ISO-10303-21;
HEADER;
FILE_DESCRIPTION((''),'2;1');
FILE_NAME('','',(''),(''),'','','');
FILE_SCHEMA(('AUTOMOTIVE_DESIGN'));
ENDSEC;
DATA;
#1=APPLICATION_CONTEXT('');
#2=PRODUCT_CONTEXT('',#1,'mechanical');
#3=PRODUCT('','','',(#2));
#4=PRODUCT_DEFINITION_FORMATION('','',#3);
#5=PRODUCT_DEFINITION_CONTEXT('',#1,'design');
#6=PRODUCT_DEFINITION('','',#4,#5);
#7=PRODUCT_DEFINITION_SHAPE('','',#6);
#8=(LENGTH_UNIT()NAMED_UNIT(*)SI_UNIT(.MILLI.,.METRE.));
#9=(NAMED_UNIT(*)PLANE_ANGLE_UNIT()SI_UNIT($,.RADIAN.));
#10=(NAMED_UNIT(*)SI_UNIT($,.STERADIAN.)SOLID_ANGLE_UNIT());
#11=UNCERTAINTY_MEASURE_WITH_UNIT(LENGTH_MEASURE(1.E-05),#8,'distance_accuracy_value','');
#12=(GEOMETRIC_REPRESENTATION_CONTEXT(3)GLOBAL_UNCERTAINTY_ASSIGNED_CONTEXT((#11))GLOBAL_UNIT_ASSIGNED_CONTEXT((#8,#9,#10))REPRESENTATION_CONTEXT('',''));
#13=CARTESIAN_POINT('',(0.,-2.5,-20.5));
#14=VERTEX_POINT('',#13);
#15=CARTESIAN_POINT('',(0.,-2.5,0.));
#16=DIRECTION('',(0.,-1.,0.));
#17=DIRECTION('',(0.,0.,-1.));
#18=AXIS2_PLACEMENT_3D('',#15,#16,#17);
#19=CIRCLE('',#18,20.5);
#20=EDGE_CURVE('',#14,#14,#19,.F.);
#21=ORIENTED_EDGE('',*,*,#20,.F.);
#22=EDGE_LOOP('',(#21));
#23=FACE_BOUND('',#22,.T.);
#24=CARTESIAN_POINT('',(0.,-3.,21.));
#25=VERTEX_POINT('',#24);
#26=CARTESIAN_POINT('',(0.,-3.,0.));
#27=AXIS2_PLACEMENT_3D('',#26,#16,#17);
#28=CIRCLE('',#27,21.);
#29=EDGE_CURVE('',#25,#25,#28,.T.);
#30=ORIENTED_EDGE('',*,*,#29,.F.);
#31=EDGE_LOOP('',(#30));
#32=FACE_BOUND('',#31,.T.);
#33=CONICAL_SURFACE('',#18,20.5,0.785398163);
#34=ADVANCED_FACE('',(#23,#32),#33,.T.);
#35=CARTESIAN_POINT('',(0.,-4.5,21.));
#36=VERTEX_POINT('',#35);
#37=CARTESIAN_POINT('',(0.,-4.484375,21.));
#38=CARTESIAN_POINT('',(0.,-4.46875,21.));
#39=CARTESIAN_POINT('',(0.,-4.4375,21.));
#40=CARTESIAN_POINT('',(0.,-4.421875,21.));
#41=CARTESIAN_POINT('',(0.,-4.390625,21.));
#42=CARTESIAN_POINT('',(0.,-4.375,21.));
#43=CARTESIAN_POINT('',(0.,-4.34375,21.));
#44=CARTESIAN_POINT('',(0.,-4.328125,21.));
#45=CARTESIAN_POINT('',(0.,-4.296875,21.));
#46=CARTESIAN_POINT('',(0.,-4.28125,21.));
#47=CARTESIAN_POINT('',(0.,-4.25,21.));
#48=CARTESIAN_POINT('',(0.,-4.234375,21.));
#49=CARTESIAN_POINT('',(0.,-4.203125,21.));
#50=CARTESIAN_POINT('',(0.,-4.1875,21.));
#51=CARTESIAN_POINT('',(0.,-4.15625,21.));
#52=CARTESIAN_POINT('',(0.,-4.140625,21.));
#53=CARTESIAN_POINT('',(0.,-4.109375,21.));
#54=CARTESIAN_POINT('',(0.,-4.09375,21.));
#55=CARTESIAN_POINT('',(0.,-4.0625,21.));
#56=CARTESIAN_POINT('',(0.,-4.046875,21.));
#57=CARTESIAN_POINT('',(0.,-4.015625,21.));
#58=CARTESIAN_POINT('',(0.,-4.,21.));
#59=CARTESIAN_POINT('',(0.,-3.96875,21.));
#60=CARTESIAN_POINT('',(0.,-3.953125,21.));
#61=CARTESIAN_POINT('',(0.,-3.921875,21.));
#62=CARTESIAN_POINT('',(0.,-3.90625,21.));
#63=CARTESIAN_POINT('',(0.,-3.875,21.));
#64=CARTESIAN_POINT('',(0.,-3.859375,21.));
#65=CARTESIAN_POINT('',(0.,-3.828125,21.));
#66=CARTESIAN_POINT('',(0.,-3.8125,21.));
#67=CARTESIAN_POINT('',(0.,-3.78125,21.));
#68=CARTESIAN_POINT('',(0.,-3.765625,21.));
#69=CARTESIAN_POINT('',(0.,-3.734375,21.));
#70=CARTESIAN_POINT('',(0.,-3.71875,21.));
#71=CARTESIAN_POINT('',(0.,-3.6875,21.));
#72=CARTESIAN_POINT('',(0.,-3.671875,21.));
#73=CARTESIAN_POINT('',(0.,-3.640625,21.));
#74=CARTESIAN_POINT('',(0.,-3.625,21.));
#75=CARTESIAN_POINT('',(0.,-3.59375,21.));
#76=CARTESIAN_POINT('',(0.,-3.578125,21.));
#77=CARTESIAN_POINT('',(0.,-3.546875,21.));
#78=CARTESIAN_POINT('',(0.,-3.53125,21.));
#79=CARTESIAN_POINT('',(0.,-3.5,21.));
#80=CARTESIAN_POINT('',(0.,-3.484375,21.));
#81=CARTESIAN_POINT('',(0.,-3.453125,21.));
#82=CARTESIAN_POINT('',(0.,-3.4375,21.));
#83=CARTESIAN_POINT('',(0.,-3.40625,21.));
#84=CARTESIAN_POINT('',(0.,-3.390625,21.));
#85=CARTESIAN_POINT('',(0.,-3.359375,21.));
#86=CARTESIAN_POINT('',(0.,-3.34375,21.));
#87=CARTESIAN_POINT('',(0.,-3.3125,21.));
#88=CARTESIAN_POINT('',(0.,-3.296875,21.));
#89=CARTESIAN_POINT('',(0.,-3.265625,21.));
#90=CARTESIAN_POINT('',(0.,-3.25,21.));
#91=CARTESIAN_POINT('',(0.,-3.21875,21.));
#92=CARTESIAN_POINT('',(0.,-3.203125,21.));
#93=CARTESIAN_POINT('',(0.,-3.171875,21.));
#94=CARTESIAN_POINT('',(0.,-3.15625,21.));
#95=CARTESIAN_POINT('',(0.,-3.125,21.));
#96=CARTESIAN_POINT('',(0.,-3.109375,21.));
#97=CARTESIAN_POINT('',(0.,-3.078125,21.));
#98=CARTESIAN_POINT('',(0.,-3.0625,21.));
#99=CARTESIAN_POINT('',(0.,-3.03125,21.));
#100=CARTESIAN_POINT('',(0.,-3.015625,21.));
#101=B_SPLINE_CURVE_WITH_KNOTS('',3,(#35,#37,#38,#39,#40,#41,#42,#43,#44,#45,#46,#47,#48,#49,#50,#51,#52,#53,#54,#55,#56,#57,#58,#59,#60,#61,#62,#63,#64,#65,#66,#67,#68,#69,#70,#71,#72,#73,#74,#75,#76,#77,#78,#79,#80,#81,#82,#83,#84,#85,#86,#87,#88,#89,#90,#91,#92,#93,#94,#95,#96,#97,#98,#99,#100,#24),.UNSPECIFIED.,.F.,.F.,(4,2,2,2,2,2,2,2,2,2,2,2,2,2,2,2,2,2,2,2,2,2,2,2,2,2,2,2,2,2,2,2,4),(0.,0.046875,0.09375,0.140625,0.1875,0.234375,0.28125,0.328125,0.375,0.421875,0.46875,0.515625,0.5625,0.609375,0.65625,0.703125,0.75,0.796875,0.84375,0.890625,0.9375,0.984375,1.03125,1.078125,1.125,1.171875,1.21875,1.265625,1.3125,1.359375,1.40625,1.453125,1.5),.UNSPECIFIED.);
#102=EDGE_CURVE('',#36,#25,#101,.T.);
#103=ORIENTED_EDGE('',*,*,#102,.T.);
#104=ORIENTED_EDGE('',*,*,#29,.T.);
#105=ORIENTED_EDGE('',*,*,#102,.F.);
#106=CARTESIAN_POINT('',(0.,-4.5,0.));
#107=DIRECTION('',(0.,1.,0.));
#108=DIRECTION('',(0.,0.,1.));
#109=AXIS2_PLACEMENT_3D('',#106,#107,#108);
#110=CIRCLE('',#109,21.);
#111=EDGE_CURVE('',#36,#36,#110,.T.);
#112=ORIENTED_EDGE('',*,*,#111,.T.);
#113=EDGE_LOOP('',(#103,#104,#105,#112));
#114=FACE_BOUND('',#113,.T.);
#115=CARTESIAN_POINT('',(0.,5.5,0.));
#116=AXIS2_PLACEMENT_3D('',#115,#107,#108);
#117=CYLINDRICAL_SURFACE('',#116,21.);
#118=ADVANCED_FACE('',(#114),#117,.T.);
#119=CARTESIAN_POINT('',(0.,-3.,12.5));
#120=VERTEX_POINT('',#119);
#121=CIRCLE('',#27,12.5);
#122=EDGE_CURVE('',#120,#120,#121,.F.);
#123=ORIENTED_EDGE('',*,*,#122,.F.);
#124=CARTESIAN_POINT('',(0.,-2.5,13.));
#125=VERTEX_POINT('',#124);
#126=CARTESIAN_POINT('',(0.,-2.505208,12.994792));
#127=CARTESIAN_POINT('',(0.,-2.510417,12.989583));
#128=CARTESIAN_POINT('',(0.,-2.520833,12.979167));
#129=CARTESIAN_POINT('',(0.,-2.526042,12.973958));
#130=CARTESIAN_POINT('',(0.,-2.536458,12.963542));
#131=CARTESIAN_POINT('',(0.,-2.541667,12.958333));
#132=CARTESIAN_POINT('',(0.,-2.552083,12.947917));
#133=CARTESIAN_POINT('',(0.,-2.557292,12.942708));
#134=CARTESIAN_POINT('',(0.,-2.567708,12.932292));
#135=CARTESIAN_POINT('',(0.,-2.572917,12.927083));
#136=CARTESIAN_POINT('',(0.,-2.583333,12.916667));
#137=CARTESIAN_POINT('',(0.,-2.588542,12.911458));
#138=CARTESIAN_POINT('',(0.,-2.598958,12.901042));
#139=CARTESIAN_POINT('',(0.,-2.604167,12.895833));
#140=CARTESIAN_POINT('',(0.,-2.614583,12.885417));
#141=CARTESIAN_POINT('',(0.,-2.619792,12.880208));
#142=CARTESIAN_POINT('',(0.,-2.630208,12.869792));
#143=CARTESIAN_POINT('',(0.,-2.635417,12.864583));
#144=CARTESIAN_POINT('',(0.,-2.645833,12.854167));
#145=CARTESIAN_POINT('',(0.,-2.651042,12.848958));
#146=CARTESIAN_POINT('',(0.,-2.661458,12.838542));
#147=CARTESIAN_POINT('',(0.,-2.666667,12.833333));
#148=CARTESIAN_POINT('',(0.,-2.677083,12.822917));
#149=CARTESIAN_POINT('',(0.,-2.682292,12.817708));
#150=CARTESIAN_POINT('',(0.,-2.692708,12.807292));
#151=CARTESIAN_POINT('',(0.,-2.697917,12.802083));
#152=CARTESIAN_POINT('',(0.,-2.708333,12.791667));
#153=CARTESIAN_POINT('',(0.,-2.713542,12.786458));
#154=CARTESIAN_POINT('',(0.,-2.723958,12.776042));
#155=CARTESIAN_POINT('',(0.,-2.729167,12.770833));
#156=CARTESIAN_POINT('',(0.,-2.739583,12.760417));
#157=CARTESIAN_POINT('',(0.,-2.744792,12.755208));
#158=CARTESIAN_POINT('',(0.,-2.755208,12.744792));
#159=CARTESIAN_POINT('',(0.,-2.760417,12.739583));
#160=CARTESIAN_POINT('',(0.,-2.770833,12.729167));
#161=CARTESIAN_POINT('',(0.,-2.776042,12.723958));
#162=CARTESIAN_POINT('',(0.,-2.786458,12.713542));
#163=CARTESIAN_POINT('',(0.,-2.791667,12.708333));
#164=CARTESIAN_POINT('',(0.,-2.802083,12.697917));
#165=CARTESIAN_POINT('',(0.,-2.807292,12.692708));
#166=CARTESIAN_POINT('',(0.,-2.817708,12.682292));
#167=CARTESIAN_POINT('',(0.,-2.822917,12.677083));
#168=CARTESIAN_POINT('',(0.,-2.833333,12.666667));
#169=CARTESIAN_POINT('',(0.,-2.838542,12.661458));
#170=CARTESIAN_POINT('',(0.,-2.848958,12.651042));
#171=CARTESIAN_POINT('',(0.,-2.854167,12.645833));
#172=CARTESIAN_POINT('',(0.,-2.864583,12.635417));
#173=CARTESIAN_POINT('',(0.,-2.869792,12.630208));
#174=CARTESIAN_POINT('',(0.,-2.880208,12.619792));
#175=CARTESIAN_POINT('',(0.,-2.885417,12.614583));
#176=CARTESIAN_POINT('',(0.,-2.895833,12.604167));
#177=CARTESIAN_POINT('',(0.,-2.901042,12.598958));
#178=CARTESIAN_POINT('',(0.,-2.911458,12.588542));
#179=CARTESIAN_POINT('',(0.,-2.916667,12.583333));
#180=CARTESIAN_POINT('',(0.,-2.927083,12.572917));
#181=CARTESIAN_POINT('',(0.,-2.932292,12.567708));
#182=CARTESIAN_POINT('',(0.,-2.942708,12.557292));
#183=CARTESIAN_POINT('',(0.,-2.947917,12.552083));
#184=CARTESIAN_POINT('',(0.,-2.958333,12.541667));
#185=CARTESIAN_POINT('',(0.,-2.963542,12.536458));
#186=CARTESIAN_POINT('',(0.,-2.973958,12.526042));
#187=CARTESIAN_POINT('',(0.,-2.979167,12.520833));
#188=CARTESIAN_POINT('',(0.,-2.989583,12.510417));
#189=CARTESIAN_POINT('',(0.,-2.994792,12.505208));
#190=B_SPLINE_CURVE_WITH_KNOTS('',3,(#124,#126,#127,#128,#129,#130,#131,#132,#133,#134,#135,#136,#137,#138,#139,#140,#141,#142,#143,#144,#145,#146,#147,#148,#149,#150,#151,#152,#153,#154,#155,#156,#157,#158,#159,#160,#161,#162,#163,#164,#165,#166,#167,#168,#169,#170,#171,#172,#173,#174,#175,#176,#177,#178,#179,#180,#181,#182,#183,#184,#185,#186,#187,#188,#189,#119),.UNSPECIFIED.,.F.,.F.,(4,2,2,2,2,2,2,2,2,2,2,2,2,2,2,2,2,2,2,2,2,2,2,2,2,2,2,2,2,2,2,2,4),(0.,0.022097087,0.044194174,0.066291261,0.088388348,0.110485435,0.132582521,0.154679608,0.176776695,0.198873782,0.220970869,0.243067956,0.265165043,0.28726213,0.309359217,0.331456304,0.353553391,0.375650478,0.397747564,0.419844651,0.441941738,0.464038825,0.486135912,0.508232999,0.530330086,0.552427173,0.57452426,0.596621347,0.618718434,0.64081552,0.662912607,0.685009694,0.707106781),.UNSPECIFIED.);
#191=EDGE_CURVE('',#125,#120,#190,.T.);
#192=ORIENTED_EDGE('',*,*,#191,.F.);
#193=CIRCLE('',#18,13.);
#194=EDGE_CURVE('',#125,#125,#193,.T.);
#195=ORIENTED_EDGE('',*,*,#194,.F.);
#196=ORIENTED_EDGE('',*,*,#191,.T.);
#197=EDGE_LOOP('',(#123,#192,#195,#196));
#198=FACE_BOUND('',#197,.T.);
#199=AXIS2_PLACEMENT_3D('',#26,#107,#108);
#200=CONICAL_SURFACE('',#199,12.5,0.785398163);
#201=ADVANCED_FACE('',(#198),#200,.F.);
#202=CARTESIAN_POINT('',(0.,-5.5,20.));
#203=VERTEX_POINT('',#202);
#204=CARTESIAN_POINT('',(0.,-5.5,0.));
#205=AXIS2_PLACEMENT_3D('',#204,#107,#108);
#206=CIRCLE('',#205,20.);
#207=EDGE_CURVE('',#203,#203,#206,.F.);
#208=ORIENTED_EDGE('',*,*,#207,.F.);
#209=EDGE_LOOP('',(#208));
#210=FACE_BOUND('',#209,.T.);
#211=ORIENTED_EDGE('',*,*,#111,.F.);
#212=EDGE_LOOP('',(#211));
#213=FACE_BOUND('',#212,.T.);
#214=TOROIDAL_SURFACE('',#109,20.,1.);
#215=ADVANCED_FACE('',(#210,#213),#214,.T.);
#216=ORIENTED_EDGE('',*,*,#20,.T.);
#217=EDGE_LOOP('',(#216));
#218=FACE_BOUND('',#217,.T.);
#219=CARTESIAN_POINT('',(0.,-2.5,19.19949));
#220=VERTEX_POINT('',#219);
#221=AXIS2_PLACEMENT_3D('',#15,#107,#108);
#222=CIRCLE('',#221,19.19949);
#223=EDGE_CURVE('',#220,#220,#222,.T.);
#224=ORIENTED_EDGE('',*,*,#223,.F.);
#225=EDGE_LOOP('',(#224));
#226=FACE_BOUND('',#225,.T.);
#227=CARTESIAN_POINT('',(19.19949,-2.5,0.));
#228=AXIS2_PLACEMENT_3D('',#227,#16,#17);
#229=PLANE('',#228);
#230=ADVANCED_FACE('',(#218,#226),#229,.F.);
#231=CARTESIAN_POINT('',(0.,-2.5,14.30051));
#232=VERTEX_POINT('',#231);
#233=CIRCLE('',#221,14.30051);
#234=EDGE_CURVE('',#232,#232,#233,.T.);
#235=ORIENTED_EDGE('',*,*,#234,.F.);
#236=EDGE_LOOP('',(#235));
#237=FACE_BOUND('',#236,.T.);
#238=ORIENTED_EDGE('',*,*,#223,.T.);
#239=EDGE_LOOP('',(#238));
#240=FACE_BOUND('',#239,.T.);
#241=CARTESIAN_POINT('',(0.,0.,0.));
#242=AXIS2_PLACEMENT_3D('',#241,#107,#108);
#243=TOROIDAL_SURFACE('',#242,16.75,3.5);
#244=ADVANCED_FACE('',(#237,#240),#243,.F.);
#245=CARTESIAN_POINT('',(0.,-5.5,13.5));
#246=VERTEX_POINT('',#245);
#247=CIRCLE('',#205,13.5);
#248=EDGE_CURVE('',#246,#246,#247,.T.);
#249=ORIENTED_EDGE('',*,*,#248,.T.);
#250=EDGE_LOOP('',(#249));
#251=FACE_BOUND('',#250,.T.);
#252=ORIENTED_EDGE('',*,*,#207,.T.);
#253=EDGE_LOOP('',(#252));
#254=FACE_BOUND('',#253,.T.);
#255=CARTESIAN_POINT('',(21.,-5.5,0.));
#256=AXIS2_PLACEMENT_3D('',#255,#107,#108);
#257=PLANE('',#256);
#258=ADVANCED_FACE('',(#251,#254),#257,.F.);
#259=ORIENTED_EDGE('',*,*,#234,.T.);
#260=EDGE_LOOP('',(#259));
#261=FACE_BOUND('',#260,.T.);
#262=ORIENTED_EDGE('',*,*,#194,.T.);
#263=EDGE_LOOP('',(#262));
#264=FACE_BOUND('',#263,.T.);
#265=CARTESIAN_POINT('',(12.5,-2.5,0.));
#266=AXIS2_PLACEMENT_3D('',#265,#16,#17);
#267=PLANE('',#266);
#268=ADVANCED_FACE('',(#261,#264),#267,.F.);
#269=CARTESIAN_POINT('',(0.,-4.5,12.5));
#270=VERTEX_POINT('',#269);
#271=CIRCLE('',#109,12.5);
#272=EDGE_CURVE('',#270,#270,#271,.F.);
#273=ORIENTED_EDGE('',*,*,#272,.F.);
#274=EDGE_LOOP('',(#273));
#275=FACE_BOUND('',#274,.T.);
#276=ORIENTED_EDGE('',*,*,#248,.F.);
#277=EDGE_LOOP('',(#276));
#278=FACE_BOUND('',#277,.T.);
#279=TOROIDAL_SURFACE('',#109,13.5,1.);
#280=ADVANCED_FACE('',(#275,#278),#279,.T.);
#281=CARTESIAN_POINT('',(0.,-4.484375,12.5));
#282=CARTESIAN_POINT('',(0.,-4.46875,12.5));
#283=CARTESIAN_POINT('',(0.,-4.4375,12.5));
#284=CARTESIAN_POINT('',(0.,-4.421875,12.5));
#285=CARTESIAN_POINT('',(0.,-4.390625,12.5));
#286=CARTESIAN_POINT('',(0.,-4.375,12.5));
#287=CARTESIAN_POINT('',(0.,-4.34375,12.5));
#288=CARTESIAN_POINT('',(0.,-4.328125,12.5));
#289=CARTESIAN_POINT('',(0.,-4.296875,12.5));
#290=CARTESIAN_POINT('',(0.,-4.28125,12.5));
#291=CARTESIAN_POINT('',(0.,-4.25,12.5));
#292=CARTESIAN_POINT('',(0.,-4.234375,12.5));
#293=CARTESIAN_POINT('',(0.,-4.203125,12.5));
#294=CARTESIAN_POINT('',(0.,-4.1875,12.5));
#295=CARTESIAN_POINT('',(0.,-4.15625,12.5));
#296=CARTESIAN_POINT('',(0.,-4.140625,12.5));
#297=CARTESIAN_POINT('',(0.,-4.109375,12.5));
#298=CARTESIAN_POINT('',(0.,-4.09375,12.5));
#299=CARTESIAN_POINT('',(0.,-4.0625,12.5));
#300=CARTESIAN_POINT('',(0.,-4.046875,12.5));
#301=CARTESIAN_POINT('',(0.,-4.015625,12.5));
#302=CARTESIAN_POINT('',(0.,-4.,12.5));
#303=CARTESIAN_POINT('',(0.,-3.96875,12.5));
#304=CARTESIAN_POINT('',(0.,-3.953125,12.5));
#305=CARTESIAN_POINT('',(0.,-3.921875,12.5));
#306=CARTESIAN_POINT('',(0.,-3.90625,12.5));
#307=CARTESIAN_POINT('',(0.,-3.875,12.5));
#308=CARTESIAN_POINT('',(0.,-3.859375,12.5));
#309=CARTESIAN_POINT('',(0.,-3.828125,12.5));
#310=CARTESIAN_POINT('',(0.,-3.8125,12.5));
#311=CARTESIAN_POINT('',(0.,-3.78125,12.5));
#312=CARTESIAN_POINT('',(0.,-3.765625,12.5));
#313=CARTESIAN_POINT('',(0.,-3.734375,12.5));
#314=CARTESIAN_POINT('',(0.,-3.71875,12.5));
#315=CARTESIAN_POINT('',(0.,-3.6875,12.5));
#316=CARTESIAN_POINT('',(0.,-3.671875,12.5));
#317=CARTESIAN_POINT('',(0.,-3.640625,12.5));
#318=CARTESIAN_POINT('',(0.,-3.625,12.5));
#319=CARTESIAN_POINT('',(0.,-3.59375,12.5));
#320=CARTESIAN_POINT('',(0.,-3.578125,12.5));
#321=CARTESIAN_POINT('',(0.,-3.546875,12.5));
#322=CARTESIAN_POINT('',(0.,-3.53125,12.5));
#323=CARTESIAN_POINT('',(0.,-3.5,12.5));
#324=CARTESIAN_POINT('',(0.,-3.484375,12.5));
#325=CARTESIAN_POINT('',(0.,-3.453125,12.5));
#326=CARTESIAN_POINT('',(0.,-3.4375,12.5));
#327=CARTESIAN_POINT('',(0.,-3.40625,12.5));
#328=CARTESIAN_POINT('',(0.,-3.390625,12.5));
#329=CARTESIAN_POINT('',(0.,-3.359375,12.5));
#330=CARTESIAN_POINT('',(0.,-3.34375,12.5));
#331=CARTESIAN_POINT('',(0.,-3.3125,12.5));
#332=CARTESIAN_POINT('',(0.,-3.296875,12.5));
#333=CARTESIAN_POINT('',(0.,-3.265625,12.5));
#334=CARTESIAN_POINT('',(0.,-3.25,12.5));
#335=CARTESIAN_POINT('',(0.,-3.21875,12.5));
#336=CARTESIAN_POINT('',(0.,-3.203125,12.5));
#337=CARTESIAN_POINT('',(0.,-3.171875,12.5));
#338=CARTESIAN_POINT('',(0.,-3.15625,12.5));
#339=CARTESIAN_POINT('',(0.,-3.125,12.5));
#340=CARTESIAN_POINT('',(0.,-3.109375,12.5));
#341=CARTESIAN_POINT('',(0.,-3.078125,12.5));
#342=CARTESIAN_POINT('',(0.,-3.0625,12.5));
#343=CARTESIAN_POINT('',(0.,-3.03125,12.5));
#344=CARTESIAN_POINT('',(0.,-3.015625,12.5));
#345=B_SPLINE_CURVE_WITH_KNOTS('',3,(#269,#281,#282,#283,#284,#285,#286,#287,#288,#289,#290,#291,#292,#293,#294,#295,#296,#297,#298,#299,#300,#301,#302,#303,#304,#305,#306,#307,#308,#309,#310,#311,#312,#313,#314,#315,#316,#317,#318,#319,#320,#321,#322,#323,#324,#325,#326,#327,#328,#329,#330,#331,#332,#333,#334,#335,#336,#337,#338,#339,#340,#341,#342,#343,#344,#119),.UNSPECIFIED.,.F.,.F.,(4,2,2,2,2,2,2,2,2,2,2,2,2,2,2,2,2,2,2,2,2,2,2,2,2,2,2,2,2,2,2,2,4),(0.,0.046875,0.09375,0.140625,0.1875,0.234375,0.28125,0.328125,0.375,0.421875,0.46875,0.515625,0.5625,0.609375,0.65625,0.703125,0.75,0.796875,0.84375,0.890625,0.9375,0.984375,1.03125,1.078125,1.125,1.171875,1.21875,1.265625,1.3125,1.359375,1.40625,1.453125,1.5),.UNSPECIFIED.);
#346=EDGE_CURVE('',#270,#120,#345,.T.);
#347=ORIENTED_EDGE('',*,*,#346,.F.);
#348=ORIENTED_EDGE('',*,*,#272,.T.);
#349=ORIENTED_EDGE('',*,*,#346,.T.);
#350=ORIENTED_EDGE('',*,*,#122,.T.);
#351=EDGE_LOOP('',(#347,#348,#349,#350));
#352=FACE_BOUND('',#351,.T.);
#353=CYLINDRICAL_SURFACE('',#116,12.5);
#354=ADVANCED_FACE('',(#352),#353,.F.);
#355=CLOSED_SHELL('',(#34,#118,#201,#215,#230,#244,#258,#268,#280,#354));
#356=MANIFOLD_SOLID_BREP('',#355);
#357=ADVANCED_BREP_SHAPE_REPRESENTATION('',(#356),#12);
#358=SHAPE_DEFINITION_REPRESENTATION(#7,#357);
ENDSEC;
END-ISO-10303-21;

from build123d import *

# Parameters (mm, degrees)
CHAMFER1_SIZE = 0.5
FILLET2_R     = 1


with BuildPart() as part:
    # Sketch1 → Revolve1 (revolve)
    with BuildSketch(Plane.XY, mode=Mode.PRIVATE) as revolve1_sk:
        with BuildLine():
            Line((12.5, -2.5), (14.300510257, -2.5))
            ThreePointArc((14.300510257, -2.5), (16.75, -3.5), (19.199489743, -2.5))
            Line((19.199489743, -2.5), (21, -2.5))
            Line((21, -2.5), (21, -5.5))
            Line((21, -5.5), (12.5, -5.5))
            Line((12.5, -5.5), (12.5, -2.5))
        make_face()
    revolve(revolve1_sk.sketch.rotate(Axis((0, 5.5, 0), (0, -1, 0)), 90), axis=Axis((0, 5.5, 0), (0, -1, 0)))

    # Chamfer1
    chamfer1_edges = [part.edges().sort_by_distance(p)[0] for p in [
        (0, -2.5, -12.5),
        (0, -2.5, -21),
    ]]
    chamfer(chamfer1_edges, length=CHAMFER1_SIZE)

    # Fillet2
    fillet2_edges = [part.edges().sort_by_distance(p)[0] for p in [
        (0, -5.5, -21),
        (0, -5.5, -12.5),
    ]]
    fillet(fillet2_edges, radius=FILLET2_R)


solid = part.part
